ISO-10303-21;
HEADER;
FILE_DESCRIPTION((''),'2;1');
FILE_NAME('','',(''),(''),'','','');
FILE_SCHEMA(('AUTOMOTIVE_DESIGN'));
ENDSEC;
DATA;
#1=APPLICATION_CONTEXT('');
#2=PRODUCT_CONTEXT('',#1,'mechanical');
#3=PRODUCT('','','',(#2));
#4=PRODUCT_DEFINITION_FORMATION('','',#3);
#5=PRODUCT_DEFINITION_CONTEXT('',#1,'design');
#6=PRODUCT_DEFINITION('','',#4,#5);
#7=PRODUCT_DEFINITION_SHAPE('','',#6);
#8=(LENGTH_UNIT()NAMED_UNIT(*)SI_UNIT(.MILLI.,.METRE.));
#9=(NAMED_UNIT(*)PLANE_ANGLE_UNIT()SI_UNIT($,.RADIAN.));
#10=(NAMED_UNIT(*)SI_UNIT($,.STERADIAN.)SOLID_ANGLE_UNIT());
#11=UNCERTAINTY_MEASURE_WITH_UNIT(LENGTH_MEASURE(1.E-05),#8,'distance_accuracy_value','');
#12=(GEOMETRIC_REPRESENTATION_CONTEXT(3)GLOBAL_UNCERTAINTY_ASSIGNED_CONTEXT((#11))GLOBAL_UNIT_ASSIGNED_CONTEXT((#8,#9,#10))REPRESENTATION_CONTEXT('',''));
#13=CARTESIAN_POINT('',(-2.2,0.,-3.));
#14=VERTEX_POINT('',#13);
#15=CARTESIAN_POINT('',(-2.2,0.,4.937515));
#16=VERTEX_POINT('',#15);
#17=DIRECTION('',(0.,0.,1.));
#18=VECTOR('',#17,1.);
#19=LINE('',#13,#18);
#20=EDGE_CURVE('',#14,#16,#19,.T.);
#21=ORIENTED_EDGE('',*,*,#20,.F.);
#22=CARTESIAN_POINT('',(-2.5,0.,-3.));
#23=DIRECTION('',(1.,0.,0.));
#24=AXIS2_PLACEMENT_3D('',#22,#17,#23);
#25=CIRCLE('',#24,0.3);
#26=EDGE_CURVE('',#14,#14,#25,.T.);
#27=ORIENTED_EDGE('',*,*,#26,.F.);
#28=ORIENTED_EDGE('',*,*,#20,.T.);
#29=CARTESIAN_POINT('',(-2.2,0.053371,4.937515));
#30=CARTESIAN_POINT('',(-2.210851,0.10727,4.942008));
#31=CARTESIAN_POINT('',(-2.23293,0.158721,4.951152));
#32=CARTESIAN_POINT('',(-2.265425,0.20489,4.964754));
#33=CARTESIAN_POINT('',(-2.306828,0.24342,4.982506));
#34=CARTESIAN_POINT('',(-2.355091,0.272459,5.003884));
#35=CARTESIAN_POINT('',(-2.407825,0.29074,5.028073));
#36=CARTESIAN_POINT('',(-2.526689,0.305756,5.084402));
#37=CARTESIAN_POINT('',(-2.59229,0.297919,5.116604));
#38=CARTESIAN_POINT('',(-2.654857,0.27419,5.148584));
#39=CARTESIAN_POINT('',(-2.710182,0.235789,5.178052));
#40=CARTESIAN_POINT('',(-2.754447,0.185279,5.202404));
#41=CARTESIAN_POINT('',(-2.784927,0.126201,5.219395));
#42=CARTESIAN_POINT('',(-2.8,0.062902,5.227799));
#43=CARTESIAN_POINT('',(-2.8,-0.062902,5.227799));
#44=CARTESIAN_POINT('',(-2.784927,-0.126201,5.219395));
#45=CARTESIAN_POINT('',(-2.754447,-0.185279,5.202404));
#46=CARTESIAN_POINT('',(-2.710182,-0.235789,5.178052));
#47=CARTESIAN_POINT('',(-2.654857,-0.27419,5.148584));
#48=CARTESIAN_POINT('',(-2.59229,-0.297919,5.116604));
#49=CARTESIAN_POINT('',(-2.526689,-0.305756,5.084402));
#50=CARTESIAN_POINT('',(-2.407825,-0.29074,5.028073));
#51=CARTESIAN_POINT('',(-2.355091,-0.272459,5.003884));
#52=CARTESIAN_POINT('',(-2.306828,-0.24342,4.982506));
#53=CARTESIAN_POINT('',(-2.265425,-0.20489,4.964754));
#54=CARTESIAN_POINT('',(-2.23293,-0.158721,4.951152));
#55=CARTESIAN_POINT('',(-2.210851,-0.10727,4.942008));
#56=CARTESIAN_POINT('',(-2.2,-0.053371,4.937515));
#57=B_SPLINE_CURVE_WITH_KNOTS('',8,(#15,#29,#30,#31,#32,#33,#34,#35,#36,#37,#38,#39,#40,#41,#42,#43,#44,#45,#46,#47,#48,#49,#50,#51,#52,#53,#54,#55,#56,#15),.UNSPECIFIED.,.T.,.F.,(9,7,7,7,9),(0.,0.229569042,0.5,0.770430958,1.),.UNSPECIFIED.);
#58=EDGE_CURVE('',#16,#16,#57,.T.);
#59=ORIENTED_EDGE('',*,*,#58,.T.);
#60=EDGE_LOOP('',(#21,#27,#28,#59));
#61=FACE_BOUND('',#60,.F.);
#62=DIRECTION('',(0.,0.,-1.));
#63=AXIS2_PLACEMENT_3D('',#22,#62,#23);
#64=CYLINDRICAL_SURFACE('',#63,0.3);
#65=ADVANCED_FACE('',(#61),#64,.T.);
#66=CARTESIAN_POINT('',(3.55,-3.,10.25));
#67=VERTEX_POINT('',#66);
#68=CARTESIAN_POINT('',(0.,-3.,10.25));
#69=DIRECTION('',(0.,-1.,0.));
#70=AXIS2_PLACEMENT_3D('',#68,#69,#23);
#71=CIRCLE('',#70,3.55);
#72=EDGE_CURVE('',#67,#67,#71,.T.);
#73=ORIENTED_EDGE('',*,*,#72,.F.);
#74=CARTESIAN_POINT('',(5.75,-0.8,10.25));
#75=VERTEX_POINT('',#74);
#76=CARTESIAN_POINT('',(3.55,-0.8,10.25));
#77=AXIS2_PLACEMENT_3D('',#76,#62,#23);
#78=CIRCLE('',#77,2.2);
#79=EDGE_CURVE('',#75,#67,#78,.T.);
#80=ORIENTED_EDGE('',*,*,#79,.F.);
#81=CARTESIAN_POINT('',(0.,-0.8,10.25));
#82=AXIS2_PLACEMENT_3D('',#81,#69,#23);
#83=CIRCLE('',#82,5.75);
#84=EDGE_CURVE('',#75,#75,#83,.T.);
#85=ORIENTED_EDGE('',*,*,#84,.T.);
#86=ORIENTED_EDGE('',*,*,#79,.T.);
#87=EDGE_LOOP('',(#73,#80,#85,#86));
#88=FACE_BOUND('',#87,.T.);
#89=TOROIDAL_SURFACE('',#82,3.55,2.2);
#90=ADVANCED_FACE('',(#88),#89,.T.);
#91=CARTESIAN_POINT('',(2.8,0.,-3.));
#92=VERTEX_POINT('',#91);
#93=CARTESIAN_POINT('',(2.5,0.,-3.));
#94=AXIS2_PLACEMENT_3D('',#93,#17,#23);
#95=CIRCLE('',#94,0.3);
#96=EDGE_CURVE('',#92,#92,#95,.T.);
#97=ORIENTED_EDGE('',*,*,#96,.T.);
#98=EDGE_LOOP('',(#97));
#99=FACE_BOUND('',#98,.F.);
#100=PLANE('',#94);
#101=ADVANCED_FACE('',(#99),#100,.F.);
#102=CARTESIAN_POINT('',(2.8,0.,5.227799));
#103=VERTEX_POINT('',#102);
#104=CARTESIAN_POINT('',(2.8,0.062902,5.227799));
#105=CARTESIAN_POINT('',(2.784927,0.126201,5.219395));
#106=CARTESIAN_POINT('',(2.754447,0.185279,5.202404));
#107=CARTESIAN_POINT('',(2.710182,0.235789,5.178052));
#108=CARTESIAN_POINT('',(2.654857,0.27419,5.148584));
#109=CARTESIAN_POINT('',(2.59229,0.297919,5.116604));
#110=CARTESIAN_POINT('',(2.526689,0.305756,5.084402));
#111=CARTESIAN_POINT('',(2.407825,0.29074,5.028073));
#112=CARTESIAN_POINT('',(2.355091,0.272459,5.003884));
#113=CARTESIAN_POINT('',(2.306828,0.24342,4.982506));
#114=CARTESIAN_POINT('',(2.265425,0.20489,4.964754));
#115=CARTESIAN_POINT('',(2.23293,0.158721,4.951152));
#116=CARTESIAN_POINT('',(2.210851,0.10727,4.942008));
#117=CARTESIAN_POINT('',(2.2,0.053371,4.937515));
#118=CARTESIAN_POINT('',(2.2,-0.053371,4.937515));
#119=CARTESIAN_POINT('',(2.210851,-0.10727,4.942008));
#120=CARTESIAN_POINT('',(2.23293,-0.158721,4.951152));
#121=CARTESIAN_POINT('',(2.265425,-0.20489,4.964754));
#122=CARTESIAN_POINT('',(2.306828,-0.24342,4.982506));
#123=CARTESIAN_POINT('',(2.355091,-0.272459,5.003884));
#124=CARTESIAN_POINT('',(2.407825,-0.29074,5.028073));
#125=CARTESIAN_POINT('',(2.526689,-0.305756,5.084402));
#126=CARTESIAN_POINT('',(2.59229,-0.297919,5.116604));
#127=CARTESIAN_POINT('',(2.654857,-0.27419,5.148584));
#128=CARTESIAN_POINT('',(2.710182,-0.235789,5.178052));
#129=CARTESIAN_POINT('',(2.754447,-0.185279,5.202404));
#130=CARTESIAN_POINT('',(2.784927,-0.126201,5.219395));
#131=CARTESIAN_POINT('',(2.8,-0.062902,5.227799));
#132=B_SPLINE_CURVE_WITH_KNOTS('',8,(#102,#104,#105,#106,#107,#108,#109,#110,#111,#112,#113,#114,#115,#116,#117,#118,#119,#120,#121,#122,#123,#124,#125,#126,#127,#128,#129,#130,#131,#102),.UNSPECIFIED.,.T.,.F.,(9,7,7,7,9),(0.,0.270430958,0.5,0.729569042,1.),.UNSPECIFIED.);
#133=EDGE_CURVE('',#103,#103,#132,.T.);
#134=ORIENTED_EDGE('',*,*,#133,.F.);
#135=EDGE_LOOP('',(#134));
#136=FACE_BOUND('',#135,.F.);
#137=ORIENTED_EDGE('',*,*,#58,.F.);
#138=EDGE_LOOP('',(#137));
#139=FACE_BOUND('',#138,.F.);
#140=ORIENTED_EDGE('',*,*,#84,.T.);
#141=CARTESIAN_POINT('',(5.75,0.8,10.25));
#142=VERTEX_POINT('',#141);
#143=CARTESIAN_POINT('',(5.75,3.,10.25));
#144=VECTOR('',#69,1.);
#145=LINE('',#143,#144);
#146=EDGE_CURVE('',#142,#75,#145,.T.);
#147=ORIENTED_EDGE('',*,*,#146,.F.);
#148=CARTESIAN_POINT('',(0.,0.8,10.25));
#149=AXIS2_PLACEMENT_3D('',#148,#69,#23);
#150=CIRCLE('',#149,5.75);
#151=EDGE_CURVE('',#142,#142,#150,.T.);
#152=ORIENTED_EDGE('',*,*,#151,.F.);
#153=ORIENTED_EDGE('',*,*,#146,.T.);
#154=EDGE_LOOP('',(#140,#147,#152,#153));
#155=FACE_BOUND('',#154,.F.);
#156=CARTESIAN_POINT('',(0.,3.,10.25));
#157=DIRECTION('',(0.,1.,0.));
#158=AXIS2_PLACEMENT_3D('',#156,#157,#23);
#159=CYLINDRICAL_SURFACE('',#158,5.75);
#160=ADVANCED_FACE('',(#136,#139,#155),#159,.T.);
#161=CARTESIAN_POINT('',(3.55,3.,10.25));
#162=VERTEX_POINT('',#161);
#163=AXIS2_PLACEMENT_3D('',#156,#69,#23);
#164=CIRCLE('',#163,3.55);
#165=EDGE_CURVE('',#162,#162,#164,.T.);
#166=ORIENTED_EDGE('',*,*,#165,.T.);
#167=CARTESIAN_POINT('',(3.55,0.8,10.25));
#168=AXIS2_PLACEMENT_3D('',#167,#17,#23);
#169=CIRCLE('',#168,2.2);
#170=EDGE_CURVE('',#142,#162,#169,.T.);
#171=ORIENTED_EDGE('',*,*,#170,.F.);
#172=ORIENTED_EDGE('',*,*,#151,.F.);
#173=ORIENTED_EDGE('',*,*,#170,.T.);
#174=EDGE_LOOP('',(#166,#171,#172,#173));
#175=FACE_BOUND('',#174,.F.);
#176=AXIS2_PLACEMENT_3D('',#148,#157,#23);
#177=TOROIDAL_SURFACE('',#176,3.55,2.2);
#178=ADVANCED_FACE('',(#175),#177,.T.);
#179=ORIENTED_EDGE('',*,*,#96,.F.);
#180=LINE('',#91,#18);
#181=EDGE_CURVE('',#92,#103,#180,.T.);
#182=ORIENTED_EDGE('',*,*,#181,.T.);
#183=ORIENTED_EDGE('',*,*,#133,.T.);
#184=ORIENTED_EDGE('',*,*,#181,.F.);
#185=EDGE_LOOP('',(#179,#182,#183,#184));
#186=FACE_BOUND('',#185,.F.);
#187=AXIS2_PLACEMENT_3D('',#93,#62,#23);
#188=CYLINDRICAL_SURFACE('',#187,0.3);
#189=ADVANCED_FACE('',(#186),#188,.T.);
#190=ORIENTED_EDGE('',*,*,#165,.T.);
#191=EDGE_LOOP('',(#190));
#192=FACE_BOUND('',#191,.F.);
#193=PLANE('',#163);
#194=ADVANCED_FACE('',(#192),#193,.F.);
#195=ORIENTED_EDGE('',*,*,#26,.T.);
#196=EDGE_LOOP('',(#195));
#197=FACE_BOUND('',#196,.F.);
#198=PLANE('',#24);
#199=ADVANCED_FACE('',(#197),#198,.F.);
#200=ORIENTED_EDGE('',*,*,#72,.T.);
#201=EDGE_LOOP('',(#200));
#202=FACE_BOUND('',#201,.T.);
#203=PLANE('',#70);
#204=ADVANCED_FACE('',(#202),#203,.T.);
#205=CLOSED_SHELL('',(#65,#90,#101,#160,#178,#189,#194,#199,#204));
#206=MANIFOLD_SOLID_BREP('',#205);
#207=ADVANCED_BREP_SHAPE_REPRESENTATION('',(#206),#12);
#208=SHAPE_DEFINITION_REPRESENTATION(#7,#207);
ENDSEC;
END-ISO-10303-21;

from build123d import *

# Parameters (mm, degrees)
CYLINDER002_R       = 0.3
CYLINDER002_DEPTH   = 10
CYLINDER001_R       = 0.3
CYLINDER001_DEPTH   = 10
CYLINDER_R          = 5.75
CYLINDER_DEPTH      = 6
CYLINDER_ROLL_ANGLE = 90
FILLET_R            = 2.2


with BuildPart() as pin002:
    # Cylinder002 → Cylinder002 (new body)
    with BuildSketch(Plane(origin=(2.5, 0, -3), x_dir=(1, 0, 0), z_dir=(0, 0, 1))):
        Circle(CYLINDER002_R)
    extrude(amount=CYLINDER002_DEPTH)


with BuildPart() as pin1:
    # Cylinder001 → Cylinder001 (new body)
    with BuildSketch(Plane(origin=(-2.5, 0, -3), x_dir=(1, 0, 0), z_dir=(0, 0, 1))):
        Circle(CYLINDER001_R)
    extrude(amount=CYLINDER001_DEPTH)


with BuildPart() as epcos_b57236:
    # Cylinder → Cylinder (new body)
    with BuildSketch(Plane.XY):
        Circle(CYLINDER_R)
    extrude(amount=CYLINDER_DEPTH)


with BuildPart() as epcos_b57236_1:
    # Cylinder roll: moved
    add(epcos_b57236.part.rotate(Axis((0, 0, 0), (1, 0, 0)), CYLINDER_ROLL_ANGLE))


with BuildPart() as epcos_b57236_2:
    # Cylinder placement: moved
    add(epcos_b57236_1.part.moved(Location((0, 3, 10.25))))

    # Fillet
    fillet_edges = [epcos_b57236_2.edges().sort_by_distance(p)[0] for p in [
        (-5.75, -3, 10.25),
        (-5.75, 3, 10.25),
    ]]
    fillet(fillet_edges, radius=FILLET_R)

    # Fusion: union pin002, pin1
    add(pin002.part)
    add(pin1.part)


solid = epcos_b57236_2.part
